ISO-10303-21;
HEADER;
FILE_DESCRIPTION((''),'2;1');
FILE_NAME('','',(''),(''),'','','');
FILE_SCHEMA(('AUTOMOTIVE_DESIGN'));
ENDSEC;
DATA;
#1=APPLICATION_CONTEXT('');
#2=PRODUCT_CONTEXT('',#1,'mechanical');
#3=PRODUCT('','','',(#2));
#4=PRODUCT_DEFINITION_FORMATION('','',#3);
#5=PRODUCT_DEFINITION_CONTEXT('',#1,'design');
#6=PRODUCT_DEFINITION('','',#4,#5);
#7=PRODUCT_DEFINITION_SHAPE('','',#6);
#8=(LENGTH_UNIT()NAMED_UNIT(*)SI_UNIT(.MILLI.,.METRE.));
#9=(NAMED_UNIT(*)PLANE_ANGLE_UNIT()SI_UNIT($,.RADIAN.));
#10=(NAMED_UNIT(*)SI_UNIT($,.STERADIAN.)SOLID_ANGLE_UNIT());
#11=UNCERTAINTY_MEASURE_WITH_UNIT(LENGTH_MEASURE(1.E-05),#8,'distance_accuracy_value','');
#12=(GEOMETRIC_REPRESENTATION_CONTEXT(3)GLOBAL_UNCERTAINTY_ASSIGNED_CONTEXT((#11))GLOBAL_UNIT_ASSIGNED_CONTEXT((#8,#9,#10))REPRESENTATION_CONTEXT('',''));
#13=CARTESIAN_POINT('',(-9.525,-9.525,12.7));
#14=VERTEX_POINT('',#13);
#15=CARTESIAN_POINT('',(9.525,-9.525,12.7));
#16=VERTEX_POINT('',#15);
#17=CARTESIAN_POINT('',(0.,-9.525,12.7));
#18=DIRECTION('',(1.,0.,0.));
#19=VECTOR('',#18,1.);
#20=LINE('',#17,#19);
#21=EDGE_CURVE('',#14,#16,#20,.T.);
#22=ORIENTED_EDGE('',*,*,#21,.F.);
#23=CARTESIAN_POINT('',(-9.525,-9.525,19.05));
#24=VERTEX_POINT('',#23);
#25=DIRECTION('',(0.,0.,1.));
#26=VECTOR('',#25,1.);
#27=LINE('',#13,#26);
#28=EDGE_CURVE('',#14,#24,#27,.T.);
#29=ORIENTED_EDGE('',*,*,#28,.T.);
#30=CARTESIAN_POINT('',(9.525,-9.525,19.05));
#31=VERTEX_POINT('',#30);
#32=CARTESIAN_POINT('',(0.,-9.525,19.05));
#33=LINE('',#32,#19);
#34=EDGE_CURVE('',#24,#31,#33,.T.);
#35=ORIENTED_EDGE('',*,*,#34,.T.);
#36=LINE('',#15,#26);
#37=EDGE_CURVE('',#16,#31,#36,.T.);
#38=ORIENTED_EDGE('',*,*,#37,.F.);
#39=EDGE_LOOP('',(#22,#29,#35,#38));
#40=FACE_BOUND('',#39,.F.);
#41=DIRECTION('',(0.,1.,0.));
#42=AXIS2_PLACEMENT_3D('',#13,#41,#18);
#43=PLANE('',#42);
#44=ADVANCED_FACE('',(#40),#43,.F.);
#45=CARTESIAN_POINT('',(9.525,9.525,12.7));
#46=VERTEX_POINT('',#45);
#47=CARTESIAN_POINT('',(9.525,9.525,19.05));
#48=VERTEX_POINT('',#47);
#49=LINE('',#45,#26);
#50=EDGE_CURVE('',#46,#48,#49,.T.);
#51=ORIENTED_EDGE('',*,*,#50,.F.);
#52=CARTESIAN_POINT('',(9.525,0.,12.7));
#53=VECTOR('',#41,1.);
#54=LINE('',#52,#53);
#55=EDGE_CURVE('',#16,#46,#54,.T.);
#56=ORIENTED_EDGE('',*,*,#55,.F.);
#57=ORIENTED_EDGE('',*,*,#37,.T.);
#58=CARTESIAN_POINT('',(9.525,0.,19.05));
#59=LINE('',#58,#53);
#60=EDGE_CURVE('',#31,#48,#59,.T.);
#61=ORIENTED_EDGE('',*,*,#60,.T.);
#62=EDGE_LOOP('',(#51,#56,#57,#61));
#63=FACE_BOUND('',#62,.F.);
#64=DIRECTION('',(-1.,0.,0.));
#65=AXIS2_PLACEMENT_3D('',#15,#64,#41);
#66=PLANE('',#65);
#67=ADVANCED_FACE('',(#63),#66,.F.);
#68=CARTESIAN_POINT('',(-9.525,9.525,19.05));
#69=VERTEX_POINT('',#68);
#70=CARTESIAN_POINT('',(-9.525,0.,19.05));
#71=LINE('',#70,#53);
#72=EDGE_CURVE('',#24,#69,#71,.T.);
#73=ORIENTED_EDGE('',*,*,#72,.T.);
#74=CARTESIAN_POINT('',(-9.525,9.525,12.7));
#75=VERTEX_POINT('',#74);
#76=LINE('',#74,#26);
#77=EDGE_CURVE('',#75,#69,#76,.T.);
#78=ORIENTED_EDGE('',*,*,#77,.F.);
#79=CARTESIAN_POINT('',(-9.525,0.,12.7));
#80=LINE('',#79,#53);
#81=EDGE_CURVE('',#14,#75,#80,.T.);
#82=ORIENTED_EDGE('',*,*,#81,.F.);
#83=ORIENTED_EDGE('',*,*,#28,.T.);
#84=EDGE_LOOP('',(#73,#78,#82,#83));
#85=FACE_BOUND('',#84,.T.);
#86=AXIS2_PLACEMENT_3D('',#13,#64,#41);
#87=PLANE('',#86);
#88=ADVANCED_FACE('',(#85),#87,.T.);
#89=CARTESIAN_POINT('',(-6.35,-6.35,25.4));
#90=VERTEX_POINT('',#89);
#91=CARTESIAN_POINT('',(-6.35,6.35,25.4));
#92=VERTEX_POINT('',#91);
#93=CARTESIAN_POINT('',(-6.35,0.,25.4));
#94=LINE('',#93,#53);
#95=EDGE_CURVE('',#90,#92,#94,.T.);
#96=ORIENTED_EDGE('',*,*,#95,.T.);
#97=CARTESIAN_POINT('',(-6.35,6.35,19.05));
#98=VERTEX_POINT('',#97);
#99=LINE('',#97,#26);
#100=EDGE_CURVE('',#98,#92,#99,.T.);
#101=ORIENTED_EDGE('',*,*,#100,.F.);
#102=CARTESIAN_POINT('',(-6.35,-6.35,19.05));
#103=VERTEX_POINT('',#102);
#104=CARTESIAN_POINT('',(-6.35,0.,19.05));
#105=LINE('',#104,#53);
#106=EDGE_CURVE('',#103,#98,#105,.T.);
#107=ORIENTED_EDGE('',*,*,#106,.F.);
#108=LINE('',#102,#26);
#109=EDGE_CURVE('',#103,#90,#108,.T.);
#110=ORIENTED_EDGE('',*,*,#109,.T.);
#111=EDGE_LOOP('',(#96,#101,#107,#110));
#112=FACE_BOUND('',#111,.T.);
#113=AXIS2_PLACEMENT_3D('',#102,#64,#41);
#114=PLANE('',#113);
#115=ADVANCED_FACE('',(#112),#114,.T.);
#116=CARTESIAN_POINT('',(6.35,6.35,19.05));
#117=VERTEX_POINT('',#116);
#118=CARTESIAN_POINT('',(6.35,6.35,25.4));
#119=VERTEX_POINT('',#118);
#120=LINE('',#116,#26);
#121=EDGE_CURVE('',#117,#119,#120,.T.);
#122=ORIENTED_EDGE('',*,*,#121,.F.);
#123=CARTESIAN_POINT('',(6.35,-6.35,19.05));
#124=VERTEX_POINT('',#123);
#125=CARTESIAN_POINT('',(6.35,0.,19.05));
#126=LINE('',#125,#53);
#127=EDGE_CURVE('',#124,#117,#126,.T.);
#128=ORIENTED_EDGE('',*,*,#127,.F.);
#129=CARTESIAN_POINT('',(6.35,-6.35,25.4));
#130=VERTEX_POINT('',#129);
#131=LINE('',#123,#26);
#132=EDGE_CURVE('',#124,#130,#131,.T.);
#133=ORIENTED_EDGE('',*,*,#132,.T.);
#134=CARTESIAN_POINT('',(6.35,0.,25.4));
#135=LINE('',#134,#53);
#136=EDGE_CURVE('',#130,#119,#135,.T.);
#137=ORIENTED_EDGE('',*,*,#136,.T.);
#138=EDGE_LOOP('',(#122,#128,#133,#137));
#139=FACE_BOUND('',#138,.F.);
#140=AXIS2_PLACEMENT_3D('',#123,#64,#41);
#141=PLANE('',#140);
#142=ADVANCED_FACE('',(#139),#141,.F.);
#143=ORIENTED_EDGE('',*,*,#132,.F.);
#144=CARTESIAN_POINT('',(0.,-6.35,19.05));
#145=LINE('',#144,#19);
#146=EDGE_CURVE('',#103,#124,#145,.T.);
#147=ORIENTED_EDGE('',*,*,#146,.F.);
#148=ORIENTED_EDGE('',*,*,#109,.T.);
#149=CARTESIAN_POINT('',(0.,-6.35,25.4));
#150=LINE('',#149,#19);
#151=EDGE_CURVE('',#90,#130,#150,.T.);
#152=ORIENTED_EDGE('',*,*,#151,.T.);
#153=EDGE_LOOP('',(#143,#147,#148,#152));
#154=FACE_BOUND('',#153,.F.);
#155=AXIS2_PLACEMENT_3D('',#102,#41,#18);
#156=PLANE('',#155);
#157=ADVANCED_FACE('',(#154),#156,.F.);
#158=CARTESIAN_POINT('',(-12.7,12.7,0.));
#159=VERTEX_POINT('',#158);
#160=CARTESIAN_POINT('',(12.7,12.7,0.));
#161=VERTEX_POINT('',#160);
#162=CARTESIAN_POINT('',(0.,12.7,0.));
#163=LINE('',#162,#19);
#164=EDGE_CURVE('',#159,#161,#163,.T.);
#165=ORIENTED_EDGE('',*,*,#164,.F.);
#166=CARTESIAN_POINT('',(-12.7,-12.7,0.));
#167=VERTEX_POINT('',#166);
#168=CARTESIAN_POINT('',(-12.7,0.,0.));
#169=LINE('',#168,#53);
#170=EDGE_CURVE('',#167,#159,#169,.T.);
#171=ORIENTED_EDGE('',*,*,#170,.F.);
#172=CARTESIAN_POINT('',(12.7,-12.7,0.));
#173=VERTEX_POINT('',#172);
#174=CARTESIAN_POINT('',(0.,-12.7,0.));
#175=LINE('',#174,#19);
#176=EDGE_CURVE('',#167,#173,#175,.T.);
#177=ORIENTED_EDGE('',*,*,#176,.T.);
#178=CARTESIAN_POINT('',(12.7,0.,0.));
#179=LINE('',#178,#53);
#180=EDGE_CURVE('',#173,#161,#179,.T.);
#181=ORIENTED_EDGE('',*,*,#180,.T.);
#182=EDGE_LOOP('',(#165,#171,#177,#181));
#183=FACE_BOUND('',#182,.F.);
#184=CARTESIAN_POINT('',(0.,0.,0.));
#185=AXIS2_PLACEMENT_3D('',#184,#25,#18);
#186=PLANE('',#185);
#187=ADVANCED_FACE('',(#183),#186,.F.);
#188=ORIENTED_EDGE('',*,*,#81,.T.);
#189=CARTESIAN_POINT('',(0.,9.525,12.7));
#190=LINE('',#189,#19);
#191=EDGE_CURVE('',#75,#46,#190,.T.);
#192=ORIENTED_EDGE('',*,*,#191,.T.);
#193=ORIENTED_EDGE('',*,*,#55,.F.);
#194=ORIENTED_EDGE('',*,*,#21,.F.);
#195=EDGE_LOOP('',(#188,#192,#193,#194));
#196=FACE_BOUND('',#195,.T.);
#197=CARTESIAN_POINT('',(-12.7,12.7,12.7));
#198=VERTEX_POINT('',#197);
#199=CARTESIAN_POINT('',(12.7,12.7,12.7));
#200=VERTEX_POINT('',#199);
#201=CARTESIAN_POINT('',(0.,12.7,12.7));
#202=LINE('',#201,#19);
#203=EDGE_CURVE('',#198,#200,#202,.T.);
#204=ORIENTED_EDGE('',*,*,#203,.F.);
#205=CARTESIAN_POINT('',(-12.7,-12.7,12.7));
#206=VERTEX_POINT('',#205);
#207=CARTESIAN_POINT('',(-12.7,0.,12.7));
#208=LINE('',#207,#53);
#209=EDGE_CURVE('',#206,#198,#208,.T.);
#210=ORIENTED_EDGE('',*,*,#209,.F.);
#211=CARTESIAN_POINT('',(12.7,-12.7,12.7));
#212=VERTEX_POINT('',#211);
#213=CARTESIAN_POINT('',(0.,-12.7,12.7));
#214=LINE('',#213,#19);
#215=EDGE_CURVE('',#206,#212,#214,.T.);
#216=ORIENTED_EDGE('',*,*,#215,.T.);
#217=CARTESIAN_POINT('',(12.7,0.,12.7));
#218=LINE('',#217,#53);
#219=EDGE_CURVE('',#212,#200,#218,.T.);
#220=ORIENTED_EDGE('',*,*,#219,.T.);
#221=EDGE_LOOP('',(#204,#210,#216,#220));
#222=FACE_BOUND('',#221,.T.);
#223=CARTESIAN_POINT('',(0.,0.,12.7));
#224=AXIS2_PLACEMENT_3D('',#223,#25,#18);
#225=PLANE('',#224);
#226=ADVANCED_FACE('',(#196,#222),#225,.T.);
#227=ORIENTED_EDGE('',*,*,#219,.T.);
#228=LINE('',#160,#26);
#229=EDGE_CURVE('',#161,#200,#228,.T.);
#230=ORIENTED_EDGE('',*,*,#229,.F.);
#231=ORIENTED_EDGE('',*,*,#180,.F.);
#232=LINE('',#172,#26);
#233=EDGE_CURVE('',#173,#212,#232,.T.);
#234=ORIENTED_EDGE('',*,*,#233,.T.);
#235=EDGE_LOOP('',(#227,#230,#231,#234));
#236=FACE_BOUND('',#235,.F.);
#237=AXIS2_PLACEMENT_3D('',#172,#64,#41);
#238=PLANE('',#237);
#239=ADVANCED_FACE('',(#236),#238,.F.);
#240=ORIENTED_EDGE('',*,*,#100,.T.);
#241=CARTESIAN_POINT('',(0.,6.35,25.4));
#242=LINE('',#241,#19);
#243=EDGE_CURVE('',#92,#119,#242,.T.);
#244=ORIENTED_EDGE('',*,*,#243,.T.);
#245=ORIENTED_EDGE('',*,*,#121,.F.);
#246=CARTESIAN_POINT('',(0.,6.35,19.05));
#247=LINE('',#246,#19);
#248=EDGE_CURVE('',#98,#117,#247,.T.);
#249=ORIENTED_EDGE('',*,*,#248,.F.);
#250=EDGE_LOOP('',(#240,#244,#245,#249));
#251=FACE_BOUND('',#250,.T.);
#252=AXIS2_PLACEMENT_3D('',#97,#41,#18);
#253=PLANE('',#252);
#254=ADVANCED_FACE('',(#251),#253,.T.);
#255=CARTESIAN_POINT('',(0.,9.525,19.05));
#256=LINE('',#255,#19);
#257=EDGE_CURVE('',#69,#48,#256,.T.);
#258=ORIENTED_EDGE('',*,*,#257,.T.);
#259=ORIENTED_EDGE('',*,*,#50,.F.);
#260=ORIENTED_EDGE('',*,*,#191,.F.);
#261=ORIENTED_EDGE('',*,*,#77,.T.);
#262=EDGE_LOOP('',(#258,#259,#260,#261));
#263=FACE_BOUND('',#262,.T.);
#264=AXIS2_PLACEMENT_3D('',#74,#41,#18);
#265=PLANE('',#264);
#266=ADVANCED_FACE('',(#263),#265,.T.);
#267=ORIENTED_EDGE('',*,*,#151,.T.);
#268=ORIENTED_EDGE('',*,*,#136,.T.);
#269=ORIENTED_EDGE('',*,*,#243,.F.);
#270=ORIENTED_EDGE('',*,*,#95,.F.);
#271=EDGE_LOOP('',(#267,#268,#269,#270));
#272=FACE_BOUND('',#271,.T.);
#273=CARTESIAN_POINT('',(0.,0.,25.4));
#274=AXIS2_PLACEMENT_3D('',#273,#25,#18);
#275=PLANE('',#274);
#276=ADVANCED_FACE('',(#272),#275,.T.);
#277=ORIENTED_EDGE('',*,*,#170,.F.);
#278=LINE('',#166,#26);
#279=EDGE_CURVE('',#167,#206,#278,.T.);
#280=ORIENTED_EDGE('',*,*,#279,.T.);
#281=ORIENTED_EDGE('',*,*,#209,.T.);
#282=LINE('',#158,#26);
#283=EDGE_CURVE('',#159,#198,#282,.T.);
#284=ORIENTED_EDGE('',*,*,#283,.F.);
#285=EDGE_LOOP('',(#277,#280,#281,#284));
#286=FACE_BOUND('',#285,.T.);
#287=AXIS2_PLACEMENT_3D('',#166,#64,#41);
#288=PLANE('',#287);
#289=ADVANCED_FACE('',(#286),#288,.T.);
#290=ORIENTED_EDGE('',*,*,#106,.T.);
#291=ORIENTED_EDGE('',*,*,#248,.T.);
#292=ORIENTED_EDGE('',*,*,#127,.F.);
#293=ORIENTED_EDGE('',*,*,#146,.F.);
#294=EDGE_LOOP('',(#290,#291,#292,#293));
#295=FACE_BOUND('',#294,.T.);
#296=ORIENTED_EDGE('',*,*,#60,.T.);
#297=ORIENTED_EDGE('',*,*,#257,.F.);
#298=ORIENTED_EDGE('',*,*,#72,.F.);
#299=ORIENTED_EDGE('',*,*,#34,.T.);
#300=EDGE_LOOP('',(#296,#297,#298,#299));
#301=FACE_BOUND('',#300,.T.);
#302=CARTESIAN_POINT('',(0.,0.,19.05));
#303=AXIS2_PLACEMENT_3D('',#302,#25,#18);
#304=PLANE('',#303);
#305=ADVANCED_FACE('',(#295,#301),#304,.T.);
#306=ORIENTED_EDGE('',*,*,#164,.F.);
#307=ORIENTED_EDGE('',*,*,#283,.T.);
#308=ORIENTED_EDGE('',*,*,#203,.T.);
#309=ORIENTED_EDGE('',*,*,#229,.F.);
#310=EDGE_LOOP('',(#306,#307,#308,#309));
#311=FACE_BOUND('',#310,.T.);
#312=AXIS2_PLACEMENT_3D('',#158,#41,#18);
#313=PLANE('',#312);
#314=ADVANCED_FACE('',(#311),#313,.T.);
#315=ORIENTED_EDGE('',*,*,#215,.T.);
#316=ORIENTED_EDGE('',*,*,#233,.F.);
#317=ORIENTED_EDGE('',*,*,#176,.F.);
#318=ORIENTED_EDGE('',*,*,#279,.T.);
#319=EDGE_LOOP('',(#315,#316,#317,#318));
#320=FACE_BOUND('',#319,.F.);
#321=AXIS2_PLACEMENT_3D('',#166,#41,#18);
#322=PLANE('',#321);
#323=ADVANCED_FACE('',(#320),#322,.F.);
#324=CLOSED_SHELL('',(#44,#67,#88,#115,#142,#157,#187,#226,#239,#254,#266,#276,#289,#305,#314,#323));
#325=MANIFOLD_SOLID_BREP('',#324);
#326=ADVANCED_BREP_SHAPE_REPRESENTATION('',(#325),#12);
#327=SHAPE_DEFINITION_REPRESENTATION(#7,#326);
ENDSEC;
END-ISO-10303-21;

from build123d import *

# Parameters (mm, degrees)
F0_W     = 25.4
F0_H     = 25.4
F1_DEPTH = 12.7
F2_W     = 19.05
F2_H     = 19.05
F3_DEPTH = 6.35
F4_W     = 12.7
F4_H     = 12.7
F5_DEPTH = 6.35


with BuildPart() as f1:
    # F0 (on Top) → F1 (new body)
    with BuildSketch(Plane.XY):
        Rectangle(F0_W, F0_H)
    extrude(amount=F1_DEPTH)

    # F2 (on face) → F3 (join)
    with BuildSketch(Plane.XY.offset(12.7)):
        Rectangle(F2_W, F2_H)
    extrude(amount=F3_DEPTH)

    # F4 (on face) → F5 (join)
    with BuildSketch(Plane.XY.offset(19.05)):
        Rectangle(F4_W, F4_H)
    extrude(amount=F5_DEPTH)


solid = f1.part
